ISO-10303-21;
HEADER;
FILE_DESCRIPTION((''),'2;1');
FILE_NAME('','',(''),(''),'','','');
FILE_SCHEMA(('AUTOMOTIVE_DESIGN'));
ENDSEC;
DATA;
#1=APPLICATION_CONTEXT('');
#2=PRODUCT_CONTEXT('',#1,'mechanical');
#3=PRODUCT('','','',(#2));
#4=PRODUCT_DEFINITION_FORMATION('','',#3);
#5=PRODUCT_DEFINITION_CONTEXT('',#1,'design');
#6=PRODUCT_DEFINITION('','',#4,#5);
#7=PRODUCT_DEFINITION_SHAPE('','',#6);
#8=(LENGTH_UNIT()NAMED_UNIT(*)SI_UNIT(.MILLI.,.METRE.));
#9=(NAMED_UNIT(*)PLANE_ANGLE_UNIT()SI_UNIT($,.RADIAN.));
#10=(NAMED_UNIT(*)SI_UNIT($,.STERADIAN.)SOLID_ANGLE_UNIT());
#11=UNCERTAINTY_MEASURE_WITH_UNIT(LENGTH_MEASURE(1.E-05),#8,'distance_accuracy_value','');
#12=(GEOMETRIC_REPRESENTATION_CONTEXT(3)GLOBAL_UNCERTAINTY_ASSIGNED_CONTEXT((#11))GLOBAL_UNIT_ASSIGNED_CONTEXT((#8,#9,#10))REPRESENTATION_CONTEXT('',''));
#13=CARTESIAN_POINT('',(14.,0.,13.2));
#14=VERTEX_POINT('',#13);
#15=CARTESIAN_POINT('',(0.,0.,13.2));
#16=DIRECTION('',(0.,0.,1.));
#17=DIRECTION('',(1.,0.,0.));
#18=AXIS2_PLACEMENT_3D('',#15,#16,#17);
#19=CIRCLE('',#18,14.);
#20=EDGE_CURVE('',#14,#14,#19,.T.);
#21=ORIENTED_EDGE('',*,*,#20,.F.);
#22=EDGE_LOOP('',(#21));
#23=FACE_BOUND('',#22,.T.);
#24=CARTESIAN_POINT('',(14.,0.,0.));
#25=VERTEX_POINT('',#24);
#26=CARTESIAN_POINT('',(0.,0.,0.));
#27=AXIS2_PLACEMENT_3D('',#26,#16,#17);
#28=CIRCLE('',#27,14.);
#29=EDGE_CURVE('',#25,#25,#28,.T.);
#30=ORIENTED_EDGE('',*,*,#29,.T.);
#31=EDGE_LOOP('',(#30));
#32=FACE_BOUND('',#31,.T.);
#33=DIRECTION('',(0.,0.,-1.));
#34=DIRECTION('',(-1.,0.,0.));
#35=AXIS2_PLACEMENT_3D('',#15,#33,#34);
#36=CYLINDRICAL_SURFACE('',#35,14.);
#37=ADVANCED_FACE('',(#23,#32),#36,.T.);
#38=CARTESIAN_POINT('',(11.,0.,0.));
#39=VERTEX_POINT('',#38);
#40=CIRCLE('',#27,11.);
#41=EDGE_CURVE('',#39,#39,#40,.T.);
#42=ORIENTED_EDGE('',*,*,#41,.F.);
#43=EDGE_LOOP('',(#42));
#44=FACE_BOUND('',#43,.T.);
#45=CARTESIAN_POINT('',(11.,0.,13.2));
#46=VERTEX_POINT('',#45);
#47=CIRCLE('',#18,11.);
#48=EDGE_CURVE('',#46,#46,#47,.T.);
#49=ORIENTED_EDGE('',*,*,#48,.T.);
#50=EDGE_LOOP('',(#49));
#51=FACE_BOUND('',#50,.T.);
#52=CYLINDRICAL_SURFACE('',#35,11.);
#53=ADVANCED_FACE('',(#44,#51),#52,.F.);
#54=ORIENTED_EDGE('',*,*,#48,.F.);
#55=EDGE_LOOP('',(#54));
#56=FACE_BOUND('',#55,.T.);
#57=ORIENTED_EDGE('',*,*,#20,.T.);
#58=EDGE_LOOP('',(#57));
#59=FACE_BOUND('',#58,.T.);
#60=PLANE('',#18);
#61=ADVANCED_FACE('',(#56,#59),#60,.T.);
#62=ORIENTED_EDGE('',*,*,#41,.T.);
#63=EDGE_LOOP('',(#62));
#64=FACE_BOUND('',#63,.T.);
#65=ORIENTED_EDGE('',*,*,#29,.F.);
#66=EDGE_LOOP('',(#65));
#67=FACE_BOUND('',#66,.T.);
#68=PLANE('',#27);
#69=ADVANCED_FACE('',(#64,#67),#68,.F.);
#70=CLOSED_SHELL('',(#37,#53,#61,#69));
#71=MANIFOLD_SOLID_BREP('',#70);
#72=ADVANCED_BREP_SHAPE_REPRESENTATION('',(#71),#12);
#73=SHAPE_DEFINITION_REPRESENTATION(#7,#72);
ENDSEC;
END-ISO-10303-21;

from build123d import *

# Parameters (mm, degrees)
SZKIC1_R                    = 14
SZKIC1_R_2                  = 11
DODANIE_WYCI_GNI_CIE1_DEPTH = 13.2


with BuildPart() as part:
    # Szkic1 → Dodanie-wyciągnięcie1 (new body)
    with BuildSketch(Plane.XY):
        Circle(SZKIC1_R)
        Circle(SZKIC1_R_2, mode=Mode.SUBTRACT)
    extrude(amount=DODANIE_WYCI_GNI_CIE1_DEPTH)


solid = part.part
